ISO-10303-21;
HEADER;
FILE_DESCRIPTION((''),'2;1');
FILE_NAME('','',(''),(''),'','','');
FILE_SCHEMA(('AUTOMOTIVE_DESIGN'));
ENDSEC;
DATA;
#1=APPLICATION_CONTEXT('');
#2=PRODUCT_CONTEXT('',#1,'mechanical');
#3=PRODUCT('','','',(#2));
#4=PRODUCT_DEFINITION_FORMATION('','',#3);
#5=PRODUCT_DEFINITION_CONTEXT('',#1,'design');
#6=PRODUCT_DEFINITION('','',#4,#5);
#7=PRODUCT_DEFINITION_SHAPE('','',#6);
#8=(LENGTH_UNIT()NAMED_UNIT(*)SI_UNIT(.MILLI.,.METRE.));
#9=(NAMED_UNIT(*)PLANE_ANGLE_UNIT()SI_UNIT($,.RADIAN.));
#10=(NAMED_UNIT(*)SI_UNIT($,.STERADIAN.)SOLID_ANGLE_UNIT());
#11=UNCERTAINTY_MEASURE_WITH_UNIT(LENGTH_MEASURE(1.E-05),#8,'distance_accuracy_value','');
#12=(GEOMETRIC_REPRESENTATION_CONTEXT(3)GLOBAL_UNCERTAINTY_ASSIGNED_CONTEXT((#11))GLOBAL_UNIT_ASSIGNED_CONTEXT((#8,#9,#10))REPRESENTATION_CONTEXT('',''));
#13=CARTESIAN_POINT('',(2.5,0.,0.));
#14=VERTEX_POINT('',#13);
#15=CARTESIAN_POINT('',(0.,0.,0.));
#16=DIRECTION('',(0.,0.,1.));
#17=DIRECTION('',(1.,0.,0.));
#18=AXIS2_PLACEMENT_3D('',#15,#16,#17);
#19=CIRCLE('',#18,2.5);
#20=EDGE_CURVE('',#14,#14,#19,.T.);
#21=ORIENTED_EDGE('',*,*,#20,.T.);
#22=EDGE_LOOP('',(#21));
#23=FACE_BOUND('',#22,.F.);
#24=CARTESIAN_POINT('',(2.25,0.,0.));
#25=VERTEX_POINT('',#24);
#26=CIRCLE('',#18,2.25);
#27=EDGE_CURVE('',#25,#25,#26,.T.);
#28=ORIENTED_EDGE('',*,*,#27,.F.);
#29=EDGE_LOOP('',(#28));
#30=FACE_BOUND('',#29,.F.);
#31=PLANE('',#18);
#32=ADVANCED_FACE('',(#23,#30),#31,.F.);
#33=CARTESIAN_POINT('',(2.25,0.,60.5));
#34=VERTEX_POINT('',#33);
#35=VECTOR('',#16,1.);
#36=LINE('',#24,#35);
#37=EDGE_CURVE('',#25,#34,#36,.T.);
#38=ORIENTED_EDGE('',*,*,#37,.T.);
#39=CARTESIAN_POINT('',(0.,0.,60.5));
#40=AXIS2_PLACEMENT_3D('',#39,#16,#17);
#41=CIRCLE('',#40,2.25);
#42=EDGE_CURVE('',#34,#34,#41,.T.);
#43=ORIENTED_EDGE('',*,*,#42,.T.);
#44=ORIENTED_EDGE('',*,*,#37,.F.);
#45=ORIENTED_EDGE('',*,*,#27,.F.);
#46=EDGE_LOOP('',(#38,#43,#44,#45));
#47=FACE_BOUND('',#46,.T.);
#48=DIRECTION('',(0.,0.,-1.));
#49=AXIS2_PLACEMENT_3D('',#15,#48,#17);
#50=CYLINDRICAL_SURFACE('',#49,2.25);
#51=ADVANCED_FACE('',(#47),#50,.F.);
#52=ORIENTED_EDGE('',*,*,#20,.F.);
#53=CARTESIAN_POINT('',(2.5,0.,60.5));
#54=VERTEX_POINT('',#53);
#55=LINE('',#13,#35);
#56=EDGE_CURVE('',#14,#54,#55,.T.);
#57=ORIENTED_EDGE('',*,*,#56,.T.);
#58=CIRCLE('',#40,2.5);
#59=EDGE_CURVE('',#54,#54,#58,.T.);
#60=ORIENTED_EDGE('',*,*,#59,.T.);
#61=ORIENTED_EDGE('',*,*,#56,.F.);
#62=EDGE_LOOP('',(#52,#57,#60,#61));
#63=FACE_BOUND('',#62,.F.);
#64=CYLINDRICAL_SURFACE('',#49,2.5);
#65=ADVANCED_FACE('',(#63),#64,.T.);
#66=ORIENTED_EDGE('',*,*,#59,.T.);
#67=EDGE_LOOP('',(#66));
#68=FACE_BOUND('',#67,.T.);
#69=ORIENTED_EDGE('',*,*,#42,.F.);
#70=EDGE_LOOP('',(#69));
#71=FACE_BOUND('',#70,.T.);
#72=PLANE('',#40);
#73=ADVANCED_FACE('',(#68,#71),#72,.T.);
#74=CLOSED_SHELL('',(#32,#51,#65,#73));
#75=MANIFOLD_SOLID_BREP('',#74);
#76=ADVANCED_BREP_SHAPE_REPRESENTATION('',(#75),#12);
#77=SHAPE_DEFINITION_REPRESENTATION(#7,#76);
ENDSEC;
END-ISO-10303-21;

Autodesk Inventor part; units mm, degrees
ref_plane "YZ Plane" through (0, 0, 0) normal (1, 0, 0) x (0, 1, 0)
ref_plane "XZ Plane" through (0, 0, 0) normal (0, 1, 0) x (-1, 0, 0)
ref_plane "XY Plane" through (0, 0, 0) normal (0, 0, 1) x (1, 0, 0)
sketch "Sketch1" plane through (0, 0, 0) normal (0, 0, 1) x (1, 0, 0)
  circle A0 centre (0, 0) radius 2.5
  circle A1 centre (0, 0) radius 2.25
  dimension "d0" = 5
  dimension "d1" = 4.5
extrude "Extrusion1" add sketch "Sketch1" along normal blind 60.5
properties part number "RCT-T003_front_rear_steering_linkage"
